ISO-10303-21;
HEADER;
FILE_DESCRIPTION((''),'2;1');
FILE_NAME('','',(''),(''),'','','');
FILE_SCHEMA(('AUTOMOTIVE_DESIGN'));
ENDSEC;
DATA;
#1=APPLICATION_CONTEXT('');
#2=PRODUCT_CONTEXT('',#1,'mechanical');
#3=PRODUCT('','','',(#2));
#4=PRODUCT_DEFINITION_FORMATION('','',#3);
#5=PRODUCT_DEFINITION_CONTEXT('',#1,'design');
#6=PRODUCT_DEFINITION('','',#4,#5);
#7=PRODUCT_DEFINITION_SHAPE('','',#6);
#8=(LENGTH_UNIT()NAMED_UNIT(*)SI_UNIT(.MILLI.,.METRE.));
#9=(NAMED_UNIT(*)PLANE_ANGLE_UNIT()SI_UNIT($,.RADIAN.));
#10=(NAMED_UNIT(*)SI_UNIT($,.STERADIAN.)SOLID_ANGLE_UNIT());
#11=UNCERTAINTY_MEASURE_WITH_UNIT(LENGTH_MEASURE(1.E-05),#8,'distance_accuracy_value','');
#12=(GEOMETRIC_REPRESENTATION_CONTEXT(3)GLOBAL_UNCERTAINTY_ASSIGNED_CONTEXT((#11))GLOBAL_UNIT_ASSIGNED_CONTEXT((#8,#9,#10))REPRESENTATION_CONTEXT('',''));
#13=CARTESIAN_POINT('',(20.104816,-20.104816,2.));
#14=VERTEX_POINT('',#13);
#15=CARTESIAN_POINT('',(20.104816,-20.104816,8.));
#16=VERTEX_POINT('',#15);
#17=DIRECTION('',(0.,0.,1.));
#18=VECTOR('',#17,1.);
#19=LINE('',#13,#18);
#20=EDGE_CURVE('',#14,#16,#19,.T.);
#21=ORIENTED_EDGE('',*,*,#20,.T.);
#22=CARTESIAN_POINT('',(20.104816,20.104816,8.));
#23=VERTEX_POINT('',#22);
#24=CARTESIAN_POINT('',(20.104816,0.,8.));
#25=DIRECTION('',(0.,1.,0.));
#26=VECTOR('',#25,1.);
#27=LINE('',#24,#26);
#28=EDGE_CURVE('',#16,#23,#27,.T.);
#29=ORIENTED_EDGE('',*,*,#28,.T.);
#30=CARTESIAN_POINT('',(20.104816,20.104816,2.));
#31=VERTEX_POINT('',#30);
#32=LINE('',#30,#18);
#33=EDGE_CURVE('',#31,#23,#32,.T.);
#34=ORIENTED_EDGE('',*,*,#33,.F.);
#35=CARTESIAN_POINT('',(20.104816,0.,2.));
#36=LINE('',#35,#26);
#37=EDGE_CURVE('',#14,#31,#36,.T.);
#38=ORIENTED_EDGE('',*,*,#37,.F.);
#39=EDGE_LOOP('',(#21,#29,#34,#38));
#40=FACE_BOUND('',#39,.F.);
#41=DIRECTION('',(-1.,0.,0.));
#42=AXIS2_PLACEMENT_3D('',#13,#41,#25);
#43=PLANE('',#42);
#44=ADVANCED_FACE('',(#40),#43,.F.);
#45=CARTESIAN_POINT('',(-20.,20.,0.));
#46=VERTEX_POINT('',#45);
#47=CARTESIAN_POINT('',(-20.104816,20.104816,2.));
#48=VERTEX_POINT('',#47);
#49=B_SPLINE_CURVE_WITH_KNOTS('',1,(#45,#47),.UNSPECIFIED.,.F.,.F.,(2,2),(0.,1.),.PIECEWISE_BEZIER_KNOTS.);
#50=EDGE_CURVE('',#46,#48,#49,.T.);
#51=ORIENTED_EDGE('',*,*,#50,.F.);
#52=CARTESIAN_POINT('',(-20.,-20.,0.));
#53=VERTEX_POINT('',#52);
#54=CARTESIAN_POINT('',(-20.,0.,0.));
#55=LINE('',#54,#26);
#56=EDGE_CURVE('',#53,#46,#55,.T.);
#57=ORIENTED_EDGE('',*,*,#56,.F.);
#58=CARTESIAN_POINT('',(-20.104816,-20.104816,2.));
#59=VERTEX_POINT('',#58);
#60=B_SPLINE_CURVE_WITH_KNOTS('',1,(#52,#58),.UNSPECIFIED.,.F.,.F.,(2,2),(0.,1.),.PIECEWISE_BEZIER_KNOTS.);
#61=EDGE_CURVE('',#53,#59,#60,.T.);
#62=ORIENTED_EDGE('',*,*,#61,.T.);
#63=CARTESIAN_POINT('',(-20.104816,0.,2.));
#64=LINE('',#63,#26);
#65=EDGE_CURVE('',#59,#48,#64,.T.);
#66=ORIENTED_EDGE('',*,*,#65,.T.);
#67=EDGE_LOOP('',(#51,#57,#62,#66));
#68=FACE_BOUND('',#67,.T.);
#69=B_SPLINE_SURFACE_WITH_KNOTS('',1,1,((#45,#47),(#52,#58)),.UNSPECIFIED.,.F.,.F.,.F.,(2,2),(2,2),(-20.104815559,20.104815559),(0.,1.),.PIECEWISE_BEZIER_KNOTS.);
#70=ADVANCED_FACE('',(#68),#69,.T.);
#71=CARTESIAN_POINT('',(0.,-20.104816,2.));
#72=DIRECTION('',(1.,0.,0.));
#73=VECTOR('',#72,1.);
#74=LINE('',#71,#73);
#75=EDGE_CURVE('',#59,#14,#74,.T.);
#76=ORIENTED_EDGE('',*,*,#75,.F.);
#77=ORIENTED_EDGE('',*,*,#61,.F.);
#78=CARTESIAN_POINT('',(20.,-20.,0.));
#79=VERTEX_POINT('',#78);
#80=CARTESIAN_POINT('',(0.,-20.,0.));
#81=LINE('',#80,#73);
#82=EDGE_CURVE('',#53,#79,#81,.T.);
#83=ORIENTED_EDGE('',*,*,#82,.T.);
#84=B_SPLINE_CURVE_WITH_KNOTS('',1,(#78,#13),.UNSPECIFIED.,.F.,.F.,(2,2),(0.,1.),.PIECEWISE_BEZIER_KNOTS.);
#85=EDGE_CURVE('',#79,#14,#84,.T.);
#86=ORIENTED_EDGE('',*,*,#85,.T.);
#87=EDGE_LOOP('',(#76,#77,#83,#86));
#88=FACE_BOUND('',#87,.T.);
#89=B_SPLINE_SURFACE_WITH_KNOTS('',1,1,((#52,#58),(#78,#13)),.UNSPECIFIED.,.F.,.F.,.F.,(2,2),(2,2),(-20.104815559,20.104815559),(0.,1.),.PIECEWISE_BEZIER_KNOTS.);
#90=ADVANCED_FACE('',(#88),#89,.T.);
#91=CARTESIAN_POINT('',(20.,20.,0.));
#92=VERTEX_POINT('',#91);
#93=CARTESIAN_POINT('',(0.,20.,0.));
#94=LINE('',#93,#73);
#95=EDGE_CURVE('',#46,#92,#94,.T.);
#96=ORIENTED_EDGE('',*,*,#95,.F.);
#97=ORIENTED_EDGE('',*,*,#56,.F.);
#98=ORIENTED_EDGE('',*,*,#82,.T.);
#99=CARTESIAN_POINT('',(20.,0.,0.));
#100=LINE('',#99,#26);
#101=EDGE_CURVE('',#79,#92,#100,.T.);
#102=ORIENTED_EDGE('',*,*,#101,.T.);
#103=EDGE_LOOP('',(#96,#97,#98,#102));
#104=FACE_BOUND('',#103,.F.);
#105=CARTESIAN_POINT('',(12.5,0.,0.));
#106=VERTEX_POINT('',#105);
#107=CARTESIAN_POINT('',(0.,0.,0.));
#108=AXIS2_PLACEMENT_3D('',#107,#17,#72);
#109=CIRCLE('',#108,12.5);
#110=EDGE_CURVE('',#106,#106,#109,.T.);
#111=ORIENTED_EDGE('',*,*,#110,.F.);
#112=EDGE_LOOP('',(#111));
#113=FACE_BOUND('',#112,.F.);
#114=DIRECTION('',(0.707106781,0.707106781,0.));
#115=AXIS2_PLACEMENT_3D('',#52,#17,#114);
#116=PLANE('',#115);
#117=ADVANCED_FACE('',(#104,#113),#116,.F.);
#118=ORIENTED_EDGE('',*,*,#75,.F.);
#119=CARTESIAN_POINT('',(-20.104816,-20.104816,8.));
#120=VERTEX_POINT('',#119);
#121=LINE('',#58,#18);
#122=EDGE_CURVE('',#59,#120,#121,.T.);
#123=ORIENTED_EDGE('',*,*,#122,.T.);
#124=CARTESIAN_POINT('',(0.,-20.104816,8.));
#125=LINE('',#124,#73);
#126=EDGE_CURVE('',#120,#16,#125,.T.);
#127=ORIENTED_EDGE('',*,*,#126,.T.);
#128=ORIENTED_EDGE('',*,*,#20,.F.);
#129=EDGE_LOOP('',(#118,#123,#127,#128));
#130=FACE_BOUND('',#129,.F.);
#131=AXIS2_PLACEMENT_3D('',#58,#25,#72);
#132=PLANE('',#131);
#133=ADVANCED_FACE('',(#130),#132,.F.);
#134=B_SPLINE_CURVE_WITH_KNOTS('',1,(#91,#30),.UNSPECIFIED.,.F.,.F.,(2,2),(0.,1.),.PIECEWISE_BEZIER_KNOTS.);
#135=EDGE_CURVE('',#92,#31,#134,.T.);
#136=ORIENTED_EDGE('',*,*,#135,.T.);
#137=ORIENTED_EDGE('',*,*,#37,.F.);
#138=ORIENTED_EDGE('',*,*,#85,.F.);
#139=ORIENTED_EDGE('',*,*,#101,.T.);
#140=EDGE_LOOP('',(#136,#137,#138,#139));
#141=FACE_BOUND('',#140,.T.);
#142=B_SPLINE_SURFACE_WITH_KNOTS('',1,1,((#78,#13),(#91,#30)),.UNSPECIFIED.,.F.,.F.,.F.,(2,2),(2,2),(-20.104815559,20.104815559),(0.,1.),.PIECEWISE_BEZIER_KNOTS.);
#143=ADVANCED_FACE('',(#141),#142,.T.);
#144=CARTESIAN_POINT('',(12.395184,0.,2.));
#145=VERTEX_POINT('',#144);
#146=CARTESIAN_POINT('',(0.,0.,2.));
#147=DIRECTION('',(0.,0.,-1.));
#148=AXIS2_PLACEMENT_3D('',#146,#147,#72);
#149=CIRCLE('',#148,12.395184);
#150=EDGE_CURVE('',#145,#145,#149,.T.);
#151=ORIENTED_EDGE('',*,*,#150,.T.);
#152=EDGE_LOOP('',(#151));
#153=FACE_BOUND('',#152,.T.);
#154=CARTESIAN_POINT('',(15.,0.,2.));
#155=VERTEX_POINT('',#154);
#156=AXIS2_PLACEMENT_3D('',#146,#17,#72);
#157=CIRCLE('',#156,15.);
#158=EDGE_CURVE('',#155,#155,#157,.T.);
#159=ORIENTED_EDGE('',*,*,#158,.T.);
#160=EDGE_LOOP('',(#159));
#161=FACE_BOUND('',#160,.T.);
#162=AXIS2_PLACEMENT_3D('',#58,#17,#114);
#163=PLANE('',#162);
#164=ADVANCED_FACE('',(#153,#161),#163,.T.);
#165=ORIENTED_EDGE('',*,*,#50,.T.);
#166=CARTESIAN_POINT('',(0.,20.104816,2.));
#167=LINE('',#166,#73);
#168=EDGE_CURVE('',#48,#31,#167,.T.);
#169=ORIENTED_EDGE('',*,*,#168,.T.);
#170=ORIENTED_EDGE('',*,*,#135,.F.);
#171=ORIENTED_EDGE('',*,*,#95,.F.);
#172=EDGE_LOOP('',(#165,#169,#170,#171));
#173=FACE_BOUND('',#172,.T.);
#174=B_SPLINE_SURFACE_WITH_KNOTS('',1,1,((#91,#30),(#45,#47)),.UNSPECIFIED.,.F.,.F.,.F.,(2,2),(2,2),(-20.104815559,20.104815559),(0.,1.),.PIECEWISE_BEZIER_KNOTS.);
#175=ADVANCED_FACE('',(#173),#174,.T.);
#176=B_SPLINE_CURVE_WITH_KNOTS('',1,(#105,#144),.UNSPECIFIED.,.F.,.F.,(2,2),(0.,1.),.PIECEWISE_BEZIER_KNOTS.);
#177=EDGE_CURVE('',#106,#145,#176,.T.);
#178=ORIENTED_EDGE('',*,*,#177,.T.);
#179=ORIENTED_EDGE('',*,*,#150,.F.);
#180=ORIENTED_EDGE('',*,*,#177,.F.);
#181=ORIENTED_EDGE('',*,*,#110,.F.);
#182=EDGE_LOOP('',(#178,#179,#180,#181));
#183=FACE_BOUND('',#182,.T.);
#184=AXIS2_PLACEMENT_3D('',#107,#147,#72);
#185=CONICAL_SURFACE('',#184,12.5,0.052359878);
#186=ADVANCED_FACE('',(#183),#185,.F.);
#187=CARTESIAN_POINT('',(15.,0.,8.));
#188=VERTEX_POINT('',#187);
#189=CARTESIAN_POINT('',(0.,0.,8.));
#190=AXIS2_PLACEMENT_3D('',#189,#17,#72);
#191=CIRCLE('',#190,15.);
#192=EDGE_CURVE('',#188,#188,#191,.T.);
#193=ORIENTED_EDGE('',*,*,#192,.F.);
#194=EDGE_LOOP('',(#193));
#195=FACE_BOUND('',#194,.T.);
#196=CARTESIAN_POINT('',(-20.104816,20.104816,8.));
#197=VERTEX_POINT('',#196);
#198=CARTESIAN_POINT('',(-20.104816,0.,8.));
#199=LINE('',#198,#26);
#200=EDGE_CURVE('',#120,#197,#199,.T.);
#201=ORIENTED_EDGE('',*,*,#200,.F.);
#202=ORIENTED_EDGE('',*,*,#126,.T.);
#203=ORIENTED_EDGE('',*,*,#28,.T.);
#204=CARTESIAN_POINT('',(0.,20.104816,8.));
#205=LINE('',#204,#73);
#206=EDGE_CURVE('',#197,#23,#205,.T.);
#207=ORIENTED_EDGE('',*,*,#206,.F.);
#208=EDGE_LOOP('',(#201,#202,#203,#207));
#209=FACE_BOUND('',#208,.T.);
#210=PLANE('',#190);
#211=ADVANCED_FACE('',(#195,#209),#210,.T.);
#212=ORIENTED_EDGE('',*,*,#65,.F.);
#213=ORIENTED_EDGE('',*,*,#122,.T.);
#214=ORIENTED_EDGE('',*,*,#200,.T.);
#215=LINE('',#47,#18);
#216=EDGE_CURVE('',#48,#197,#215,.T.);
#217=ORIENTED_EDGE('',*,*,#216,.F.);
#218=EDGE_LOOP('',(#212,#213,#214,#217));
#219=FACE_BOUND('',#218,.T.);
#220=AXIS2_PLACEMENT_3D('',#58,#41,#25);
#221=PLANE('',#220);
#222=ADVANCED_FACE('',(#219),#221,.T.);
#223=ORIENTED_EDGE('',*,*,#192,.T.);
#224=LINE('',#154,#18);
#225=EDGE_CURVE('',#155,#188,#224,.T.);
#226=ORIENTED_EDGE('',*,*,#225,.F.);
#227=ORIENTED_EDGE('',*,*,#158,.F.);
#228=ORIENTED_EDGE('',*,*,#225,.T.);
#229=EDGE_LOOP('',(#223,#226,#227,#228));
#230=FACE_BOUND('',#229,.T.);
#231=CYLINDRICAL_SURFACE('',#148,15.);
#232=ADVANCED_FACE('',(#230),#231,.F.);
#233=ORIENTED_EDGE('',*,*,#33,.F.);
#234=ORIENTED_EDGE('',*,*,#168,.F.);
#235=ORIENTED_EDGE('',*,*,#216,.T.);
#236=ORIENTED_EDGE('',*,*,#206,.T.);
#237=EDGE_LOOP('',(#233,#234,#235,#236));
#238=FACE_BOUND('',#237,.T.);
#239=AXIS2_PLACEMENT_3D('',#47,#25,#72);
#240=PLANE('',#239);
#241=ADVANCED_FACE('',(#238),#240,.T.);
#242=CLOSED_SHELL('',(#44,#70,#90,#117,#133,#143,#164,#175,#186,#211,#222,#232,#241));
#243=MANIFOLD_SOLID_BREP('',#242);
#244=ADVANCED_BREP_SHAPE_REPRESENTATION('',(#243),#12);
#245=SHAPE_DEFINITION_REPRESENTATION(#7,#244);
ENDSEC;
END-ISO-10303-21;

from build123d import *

# Parameters (mm, degrees)
F0_W     = 40
F0_H     = 40
F0_R     = 12.5
F1_DEPTH = 2
F1_TAPER = -3
F2_W     = 40.2096311171
F2_H     = 40.2096311171
F2_R     = 15
F3_DEPTH = 6


with BuildPart() as f1:
    # F0 (on Top) → F1 (new body)
    with BuildSketch(Plane.XY):
        Rectangle(F0_W, F0_H)
        Circle(F0_R, mode=Mode.SUBTRACT)
    extrude(amount=F1_DEPTH, taper=F1_TAPER)

    # F2 (on face) → F3 (join)
    with BuildSketch(Plane.XY.offset(2)):
        Rectangle(F2_W, F2_H)
        Circle(F2_R, mode=Mode.SUBTRACT)
    extrude(amount=F3_DEPTH)


solid = f1.part
